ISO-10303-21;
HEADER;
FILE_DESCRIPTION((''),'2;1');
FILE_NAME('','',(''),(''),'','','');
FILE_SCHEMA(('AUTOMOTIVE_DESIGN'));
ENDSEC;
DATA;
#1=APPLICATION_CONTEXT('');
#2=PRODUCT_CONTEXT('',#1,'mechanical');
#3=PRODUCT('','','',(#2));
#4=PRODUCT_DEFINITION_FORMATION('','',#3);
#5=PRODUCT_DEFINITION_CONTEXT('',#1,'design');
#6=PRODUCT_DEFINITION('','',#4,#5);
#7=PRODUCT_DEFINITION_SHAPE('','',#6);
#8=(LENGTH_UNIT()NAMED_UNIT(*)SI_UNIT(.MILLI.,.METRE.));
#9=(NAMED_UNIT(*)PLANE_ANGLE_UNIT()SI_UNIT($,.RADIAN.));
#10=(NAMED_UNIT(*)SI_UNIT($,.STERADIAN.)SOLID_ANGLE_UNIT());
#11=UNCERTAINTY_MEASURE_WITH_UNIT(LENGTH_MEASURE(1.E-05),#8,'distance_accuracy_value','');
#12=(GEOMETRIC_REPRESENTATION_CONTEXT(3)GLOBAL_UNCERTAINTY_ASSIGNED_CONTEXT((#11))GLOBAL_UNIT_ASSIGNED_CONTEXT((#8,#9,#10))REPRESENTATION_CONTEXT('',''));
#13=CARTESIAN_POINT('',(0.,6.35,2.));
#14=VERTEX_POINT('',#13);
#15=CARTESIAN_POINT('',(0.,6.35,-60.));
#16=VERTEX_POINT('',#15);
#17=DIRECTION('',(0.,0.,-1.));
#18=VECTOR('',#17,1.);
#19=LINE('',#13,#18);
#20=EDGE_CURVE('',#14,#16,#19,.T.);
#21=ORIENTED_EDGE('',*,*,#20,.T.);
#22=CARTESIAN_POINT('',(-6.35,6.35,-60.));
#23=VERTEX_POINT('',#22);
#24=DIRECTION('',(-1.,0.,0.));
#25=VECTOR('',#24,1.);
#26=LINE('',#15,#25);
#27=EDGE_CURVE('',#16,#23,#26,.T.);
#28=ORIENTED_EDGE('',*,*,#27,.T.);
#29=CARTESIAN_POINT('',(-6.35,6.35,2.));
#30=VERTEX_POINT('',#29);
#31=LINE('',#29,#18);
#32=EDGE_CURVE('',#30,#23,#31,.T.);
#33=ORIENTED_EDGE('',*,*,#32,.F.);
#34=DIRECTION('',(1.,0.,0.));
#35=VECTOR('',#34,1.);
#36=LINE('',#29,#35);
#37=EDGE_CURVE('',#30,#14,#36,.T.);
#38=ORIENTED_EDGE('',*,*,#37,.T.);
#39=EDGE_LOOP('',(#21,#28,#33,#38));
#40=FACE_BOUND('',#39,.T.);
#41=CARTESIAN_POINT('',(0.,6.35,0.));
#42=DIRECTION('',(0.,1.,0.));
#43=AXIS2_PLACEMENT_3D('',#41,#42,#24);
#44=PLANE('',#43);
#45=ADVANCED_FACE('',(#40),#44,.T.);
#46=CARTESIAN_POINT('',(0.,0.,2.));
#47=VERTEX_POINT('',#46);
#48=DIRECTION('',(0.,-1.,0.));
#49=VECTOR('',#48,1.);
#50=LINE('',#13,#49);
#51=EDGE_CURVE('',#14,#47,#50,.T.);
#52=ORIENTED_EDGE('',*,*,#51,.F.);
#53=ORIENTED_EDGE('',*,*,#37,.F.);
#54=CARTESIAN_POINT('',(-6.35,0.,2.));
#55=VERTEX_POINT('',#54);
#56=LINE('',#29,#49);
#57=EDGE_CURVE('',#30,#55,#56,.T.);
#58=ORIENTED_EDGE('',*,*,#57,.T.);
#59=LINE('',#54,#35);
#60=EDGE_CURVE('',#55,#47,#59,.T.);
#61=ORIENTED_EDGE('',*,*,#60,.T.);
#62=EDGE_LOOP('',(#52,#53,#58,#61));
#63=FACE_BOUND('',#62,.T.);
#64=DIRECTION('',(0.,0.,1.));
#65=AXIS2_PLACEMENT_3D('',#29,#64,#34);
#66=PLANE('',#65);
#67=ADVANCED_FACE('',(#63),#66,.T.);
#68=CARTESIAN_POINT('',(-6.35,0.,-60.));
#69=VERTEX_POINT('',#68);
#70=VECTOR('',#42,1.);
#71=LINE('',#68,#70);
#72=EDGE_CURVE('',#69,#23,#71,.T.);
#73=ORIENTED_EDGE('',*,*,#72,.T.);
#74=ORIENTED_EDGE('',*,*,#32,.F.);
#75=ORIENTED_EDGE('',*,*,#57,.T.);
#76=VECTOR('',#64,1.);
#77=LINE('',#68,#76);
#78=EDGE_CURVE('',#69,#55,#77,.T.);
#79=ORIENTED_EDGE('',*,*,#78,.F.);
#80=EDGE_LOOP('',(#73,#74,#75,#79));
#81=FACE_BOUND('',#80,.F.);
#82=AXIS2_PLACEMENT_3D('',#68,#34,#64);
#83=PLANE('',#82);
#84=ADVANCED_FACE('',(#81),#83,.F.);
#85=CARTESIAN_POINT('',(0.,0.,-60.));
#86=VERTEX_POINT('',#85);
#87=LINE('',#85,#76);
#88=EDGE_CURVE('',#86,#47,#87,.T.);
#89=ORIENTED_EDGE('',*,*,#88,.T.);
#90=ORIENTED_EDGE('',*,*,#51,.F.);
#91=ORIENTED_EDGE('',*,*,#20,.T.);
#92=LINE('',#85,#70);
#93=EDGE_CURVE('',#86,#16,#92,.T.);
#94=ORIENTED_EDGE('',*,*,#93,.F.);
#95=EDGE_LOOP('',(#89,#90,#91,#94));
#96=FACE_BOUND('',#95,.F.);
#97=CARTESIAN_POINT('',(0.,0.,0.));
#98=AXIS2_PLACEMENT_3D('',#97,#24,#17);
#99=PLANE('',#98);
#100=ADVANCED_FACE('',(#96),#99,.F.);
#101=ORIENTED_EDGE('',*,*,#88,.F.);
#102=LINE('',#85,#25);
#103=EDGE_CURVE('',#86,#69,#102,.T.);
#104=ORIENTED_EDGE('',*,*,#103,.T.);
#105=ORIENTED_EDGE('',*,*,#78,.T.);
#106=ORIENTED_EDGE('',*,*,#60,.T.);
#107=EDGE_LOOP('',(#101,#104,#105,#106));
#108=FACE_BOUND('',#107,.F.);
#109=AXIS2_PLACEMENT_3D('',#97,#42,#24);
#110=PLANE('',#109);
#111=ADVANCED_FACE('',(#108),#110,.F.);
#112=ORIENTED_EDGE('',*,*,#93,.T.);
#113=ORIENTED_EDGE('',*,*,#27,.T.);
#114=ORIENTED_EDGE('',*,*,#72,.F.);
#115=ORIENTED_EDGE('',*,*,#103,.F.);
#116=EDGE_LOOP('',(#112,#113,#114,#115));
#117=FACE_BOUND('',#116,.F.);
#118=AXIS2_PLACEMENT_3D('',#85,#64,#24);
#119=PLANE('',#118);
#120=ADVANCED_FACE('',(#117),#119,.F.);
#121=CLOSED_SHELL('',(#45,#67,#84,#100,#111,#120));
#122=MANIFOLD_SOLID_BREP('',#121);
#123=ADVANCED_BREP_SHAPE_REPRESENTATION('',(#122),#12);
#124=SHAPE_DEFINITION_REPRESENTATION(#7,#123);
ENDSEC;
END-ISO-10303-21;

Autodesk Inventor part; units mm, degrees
ref_plane "YZ Plane" through (0, 0, 0) normal (1, 0, 0) x (0, 1, 0)
ref_plane "XZ Plane" through (0, 0, 0) normal (0, 1, 0) x (-1, 0, 0)
ref_plane "XY Plane" through (0, 0, 0) normal (0, 0, 1) x (1, 0, 0)
sketch "Sketch1" plane through (0, 0, 0) normal (0, 1, 0) x (-1, 0, 0)
  line L0 (0, 0) -> (0, -60)
  line L1 (0, -60) -> (6.35, -60)
  line L2 (6.35, -60) -> (6.35, 0)
  line L3 (6.35, 0) -> (0, 0)
  dimension "d0" = 60
  dimension "d1" = 6.35
extrude "Extrusion1" add sketch "Sketch1" along normal blind 6.35
sketch "Sketch2" plane through (0, 6.35, 0) normal (0, 1, 0) x (1, 0, 0)
  line L0 (-6.35, 0) -> (0, 0) projected
  line L1 (-6.35, 0) -> (-6.35, -2)
  line L2 (-6.35, -2) -> (0, -2)
  line L3 (0, -2) -> (0, 0)
  dimension "d4" = 2
extrude "Extrusion2" add sketch "Sketch2" against normal blind 6.35
properties part number "2ndFloorSupport"
